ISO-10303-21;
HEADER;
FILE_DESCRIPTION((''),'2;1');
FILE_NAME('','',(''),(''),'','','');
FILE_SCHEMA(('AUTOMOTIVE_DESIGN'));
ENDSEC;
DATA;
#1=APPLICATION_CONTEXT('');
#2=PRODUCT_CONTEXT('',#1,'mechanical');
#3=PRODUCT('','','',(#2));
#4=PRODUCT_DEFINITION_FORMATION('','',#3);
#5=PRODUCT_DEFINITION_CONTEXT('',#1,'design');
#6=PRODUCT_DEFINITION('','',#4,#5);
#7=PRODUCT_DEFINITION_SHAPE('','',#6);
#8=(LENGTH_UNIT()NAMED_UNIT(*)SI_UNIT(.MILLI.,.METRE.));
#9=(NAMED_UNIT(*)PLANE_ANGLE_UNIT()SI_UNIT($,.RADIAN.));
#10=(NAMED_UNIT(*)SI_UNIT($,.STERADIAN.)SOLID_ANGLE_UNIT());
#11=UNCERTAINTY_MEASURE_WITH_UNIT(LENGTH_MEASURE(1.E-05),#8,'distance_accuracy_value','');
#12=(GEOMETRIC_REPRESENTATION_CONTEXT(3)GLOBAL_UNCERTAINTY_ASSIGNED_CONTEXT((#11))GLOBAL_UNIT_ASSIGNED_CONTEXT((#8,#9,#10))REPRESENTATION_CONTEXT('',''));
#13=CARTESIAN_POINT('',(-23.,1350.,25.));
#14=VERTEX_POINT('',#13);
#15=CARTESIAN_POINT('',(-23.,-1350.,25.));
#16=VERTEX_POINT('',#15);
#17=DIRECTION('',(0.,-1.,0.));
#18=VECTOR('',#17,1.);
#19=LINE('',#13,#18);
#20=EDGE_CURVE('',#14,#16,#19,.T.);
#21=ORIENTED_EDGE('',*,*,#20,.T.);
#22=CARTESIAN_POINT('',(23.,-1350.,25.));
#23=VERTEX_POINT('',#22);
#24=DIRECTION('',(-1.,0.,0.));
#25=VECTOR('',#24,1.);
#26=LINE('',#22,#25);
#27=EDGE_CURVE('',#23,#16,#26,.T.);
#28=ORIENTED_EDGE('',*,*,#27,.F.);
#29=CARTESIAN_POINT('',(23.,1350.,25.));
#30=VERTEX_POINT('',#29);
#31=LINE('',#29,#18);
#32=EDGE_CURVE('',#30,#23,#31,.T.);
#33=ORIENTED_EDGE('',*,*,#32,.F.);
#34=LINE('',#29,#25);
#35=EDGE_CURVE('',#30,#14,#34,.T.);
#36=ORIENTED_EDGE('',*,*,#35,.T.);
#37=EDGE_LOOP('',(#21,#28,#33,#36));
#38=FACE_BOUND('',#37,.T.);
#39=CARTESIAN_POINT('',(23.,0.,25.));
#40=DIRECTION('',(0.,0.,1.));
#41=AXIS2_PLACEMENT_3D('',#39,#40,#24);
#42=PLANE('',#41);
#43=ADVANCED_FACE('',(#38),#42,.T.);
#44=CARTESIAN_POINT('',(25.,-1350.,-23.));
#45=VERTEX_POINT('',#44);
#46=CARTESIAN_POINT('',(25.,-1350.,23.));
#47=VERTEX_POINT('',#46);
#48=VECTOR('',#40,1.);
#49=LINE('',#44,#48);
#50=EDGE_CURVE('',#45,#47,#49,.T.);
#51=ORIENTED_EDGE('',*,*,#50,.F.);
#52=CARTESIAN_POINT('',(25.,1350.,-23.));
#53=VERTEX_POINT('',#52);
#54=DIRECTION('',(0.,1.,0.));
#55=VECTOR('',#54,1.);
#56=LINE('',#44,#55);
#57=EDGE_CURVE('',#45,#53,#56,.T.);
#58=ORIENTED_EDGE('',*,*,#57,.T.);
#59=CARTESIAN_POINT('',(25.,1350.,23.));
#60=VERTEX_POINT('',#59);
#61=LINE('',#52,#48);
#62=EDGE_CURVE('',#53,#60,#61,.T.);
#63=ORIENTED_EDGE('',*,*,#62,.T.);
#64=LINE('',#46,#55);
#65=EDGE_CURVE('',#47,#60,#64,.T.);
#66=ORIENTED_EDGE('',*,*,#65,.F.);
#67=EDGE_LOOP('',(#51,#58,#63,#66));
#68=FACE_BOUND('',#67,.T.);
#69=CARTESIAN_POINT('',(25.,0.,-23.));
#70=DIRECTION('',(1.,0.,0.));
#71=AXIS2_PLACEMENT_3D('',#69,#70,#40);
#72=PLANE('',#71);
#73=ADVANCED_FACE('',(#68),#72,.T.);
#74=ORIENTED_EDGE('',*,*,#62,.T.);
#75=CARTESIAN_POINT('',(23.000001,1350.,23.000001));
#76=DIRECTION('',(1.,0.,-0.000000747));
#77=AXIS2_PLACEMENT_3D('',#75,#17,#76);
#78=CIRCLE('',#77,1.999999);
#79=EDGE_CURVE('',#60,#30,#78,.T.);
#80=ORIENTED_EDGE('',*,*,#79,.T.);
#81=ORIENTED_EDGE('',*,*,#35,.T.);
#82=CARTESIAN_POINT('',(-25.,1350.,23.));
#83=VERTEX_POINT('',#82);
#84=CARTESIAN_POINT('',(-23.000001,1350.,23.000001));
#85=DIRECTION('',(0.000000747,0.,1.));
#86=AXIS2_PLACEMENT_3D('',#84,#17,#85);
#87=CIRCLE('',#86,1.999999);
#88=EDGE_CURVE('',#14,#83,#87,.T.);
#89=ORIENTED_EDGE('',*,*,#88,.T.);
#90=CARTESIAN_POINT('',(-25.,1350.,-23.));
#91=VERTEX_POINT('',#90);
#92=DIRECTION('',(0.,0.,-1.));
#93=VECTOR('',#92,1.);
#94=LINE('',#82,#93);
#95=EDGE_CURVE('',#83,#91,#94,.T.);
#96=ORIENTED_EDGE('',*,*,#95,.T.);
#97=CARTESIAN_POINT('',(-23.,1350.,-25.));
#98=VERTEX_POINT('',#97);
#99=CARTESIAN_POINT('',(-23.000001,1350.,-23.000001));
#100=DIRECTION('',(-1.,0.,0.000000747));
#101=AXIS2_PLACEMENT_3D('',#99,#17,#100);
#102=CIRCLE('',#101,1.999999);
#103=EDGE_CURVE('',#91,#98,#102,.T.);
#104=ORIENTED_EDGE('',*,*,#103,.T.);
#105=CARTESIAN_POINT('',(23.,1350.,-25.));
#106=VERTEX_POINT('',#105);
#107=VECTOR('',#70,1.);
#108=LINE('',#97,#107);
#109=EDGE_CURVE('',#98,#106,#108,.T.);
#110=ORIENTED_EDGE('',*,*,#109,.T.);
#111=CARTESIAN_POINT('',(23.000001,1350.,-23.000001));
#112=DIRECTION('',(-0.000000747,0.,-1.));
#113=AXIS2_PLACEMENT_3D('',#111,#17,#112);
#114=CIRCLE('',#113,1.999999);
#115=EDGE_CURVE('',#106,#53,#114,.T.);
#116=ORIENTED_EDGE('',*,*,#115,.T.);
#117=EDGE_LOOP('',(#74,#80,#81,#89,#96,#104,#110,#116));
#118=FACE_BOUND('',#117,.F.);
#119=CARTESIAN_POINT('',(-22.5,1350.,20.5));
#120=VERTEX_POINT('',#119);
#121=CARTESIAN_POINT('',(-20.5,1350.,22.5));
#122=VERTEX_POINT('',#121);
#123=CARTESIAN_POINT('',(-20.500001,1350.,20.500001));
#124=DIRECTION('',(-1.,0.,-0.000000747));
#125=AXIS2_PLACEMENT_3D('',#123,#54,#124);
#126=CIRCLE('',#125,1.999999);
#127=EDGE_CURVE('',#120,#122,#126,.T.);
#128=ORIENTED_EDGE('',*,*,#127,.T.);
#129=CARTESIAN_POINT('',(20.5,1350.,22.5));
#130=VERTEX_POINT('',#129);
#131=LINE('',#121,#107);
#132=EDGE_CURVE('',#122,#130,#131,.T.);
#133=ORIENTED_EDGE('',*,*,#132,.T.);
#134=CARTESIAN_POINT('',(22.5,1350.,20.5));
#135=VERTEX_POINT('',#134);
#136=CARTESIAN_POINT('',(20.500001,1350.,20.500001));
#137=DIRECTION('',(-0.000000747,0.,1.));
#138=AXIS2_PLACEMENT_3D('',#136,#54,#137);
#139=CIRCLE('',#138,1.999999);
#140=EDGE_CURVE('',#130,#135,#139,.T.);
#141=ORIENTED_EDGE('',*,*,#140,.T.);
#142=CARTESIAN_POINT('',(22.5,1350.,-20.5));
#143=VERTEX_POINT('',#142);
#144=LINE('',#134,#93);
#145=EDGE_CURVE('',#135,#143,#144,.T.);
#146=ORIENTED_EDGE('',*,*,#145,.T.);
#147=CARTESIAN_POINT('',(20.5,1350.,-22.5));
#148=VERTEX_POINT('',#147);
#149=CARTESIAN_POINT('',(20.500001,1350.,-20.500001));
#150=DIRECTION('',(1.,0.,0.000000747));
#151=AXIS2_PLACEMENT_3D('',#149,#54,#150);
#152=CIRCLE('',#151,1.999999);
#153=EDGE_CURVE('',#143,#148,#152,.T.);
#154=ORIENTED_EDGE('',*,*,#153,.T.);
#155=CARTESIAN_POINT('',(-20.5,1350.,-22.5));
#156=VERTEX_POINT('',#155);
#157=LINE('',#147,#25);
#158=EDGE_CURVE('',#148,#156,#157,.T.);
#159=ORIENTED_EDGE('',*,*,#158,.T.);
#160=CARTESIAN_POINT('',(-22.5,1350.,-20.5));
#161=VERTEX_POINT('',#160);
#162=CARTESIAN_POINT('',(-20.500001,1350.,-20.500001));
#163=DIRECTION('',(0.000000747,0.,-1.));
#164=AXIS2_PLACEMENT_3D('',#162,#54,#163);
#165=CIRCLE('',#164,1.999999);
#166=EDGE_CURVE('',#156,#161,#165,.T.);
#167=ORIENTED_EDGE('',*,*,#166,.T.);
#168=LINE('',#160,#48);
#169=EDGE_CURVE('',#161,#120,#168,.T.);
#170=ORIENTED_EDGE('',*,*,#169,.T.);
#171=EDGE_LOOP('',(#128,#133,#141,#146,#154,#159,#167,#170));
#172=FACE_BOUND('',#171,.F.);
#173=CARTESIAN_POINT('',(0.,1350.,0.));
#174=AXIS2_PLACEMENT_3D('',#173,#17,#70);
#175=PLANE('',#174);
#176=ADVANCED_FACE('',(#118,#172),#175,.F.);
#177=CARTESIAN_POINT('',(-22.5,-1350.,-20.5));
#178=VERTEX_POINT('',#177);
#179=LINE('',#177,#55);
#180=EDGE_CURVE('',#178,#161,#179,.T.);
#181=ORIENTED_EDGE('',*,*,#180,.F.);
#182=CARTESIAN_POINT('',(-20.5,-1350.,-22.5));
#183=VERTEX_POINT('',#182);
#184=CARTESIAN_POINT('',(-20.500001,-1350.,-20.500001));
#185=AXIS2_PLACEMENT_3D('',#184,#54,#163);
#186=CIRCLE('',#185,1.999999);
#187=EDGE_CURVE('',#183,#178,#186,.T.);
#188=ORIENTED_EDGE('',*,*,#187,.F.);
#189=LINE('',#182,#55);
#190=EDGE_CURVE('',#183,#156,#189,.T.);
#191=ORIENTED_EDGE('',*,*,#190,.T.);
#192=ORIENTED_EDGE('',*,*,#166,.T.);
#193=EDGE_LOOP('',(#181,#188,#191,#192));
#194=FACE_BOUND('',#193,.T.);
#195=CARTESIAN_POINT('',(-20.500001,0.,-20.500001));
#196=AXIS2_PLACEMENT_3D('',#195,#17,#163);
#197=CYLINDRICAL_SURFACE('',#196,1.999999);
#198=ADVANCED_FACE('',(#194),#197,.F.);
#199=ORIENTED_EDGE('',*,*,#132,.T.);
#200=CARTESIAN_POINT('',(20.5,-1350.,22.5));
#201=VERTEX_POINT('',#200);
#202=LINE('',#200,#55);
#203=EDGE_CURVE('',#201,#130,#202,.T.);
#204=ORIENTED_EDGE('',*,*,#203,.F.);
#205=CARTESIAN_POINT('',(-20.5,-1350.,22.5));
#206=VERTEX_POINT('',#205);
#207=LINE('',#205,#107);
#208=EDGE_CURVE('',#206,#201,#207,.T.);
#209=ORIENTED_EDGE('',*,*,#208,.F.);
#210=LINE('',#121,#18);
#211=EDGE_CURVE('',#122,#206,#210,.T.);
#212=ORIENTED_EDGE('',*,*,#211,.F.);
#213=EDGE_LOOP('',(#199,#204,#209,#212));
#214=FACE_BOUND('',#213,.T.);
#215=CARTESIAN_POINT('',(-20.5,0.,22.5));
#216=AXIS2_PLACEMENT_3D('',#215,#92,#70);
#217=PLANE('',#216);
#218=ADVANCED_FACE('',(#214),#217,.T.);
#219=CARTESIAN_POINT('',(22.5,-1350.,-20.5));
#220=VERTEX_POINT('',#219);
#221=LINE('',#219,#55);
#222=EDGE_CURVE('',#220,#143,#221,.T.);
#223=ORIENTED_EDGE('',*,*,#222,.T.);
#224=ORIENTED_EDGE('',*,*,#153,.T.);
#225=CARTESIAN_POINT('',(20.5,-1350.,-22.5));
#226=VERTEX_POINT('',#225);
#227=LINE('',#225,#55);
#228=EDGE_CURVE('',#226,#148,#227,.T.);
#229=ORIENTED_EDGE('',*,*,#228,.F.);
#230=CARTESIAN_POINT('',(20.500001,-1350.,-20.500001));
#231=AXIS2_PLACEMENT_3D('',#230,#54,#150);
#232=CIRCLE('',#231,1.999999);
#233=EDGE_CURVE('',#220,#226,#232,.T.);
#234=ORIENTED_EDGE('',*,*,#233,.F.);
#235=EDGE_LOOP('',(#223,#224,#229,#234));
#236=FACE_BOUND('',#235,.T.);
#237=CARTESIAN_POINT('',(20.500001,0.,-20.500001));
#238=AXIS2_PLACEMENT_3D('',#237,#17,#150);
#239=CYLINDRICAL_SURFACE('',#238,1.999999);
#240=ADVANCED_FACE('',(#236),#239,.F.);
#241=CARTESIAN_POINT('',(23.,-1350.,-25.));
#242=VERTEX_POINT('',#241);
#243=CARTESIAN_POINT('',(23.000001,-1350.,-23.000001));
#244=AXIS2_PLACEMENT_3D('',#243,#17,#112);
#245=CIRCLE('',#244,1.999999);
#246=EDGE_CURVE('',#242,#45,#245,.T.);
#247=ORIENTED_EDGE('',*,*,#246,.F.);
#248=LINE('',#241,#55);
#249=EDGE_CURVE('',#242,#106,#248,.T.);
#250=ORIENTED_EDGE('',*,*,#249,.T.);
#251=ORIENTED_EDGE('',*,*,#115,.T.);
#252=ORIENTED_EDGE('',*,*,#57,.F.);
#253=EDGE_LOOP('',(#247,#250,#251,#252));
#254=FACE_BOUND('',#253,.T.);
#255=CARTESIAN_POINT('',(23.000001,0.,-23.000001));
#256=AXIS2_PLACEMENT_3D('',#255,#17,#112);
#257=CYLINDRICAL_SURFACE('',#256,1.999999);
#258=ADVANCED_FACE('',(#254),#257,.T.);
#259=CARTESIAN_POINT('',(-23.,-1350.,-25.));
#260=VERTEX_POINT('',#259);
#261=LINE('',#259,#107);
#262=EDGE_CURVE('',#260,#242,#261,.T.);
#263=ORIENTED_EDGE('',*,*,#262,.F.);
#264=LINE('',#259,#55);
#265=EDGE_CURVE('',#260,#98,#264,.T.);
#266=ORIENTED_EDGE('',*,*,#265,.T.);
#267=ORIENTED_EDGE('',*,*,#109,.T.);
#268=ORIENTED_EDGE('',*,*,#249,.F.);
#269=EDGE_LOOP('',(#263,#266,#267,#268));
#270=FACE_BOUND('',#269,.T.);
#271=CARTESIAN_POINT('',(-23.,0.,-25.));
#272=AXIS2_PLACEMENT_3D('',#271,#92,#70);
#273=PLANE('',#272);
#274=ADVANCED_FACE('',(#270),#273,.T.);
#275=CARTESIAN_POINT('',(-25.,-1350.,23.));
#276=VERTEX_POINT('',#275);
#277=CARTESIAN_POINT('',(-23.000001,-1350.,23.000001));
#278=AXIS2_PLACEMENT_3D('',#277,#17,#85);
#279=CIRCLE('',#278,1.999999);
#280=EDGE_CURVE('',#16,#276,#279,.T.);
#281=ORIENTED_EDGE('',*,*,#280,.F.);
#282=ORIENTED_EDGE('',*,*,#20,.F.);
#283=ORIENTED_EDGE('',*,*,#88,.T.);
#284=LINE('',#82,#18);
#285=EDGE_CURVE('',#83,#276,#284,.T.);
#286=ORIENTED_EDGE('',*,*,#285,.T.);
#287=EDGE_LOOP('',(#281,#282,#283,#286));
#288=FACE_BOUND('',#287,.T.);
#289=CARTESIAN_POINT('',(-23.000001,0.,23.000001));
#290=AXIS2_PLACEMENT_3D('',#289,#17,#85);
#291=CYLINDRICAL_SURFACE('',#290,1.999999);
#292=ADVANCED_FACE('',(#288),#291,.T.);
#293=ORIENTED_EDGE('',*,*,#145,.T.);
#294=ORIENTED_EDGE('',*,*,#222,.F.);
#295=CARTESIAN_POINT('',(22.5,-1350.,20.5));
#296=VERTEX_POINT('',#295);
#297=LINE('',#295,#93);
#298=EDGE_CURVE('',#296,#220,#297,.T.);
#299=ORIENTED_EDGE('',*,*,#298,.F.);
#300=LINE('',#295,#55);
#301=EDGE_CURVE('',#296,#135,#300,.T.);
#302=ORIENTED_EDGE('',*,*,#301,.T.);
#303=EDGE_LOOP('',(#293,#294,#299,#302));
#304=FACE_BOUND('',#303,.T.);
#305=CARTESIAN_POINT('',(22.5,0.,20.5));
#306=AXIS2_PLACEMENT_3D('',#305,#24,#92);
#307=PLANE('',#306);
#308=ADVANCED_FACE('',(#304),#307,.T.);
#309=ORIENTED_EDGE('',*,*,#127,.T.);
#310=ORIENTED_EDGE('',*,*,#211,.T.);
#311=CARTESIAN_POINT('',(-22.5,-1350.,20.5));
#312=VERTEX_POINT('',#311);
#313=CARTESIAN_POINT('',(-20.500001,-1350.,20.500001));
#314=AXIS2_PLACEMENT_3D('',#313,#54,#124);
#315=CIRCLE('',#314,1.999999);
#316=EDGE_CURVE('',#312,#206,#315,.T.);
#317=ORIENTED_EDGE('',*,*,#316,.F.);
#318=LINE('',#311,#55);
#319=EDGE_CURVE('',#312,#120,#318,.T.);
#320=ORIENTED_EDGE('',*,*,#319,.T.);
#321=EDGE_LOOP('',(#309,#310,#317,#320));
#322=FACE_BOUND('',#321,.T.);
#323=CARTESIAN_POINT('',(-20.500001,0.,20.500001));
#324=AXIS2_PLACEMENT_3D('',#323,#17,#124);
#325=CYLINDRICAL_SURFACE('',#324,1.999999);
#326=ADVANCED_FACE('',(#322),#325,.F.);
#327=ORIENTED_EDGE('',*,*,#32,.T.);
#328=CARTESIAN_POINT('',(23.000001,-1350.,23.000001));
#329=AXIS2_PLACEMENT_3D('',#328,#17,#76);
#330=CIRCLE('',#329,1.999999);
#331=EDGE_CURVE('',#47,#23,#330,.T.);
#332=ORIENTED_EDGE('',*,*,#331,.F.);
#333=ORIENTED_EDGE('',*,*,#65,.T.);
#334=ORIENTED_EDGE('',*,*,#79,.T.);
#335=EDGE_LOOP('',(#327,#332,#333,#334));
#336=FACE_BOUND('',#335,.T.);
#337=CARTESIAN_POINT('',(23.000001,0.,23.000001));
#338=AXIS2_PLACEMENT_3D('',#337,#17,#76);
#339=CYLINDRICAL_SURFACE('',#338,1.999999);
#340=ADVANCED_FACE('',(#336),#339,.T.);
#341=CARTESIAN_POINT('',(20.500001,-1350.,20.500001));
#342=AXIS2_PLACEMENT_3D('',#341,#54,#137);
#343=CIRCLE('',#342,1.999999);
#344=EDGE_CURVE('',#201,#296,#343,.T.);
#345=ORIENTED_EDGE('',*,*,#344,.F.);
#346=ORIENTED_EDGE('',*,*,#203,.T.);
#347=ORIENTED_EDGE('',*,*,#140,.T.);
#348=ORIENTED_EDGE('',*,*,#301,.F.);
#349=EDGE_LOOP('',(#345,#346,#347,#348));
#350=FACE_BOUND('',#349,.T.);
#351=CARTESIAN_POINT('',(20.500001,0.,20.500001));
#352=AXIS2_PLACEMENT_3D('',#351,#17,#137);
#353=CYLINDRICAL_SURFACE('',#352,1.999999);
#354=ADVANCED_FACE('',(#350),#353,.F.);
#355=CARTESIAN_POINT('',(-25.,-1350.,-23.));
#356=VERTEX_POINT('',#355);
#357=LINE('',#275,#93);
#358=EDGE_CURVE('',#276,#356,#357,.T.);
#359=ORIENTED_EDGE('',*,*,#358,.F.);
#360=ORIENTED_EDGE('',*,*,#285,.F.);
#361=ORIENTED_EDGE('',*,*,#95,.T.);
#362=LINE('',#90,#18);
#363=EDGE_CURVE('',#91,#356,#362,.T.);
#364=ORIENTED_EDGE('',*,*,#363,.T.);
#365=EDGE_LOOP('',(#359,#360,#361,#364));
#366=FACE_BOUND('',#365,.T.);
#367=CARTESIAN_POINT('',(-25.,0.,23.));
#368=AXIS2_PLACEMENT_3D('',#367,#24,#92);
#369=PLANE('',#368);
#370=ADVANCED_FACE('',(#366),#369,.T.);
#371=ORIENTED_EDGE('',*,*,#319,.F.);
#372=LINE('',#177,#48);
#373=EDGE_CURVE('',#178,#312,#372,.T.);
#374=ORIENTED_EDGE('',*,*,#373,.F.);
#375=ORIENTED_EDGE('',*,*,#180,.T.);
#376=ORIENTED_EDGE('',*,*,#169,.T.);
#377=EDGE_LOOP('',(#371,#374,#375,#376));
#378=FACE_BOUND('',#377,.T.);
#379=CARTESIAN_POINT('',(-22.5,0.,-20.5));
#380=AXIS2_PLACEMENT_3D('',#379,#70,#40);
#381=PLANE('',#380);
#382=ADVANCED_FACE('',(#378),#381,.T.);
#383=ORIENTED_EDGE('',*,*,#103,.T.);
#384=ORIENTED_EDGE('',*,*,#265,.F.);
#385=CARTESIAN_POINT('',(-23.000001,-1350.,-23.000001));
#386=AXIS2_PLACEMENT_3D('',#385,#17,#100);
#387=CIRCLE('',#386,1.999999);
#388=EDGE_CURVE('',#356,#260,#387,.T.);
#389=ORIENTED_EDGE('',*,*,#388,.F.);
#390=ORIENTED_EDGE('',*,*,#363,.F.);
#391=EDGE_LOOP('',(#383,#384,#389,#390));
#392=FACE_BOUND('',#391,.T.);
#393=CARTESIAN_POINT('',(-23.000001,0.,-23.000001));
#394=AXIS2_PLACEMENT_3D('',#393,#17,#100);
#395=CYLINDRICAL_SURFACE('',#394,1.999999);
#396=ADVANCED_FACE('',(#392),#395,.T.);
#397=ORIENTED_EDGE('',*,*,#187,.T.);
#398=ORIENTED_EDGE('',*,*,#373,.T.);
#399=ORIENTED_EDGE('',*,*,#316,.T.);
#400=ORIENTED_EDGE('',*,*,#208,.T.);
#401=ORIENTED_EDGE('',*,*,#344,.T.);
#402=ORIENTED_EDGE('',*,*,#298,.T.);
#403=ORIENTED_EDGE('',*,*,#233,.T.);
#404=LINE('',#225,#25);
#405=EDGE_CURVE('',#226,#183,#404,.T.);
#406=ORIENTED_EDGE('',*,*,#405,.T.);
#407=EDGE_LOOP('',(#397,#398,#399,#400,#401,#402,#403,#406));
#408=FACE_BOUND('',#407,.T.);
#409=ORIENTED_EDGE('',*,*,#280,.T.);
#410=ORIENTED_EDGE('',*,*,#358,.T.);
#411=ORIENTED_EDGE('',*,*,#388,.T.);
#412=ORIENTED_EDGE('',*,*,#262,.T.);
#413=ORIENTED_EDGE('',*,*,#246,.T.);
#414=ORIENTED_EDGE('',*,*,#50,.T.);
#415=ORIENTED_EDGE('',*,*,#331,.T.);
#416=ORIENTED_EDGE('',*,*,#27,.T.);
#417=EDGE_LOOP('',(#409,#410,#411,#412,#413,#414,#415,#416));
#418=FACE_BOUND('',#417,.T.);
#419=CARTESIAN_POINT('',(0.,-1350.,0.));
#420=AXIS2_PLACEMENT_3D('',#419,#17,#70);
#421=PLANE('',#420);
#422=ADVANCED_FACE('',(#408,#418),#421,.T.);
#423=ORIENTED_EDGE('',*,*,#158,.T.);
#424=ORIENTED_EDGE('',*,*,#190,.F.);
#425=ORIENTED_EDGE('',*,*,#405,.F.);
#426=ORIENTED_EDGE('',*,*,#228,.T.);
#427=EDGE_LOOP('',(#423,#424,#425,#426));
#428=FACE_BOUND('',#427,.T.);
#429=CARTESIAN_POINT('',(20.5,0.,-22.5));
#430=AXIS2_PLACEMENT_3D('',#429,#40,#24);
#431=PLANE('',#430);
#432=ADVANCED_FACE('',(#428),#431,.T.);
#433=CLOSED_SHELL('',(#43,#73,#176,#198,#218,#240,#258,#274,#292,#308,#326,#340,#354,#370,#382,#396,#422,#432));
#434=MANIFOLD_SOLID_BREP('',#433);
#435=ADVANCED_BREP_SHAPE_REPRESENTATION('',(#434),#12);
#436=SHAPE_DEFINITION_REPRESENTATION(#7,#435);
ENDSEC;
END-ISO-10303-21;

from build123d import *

# Parameters (mm, degrees)
F1_DEPTH = 1350


with BuildPart() as f1:
    # F0 (on Front) → F1 (new body, symmetric)
    with BuildSketch(Plane.XZ):
        with BuildLine():
            ThreePointArc((25, 23), (24.414214, 24.414214), (23, 25))
            Line((23, 25), (-23, 25))
            ThreePointArc((-23, 25), (-24.414214, 24.414214), (-25, 23))
            Line((-25, 23), (-25, -23))
            ThreePointArc((-25, -23), (-24.414214, -24.414214), (-23, -25))
            Line((-23, -25), (23, -25))
            ThreePointArc((23, -25), (24.414214, -24.414214), (25, -23))
            Line((25, -23), (25, 23))
        make_face()
        with BuildLine():
            Line((-20.5, 22.5), (20.5, 22.5))
            ThreePointArc((20.5, 22.5), (21.914214, 21.914214), (22.5, 20.5))
            Line((22.5, 20.5), (22.5, -20.5))
            ThreePointArc((22.5, -20.5), (21.914214, -21.914214), (20.5, -22.5))
            Line((20.5, -22.5), (-20.5, -22.5))
            ThreePointArc((-20.5, -22.5), (-21.914214, -21.914214), (-22.5, -20.5))
            Line((-22.5, -20.5), (-22.5, 20.5))
            ThreePointArc((-22.5, 20.5), (-21.914214, 21.914214), (-20.5, 22.5))
        make_face(mode=Mode.SUBTRACT)
    extrude(amount=F1_DEPTH, both=True)


solid = f1.part
